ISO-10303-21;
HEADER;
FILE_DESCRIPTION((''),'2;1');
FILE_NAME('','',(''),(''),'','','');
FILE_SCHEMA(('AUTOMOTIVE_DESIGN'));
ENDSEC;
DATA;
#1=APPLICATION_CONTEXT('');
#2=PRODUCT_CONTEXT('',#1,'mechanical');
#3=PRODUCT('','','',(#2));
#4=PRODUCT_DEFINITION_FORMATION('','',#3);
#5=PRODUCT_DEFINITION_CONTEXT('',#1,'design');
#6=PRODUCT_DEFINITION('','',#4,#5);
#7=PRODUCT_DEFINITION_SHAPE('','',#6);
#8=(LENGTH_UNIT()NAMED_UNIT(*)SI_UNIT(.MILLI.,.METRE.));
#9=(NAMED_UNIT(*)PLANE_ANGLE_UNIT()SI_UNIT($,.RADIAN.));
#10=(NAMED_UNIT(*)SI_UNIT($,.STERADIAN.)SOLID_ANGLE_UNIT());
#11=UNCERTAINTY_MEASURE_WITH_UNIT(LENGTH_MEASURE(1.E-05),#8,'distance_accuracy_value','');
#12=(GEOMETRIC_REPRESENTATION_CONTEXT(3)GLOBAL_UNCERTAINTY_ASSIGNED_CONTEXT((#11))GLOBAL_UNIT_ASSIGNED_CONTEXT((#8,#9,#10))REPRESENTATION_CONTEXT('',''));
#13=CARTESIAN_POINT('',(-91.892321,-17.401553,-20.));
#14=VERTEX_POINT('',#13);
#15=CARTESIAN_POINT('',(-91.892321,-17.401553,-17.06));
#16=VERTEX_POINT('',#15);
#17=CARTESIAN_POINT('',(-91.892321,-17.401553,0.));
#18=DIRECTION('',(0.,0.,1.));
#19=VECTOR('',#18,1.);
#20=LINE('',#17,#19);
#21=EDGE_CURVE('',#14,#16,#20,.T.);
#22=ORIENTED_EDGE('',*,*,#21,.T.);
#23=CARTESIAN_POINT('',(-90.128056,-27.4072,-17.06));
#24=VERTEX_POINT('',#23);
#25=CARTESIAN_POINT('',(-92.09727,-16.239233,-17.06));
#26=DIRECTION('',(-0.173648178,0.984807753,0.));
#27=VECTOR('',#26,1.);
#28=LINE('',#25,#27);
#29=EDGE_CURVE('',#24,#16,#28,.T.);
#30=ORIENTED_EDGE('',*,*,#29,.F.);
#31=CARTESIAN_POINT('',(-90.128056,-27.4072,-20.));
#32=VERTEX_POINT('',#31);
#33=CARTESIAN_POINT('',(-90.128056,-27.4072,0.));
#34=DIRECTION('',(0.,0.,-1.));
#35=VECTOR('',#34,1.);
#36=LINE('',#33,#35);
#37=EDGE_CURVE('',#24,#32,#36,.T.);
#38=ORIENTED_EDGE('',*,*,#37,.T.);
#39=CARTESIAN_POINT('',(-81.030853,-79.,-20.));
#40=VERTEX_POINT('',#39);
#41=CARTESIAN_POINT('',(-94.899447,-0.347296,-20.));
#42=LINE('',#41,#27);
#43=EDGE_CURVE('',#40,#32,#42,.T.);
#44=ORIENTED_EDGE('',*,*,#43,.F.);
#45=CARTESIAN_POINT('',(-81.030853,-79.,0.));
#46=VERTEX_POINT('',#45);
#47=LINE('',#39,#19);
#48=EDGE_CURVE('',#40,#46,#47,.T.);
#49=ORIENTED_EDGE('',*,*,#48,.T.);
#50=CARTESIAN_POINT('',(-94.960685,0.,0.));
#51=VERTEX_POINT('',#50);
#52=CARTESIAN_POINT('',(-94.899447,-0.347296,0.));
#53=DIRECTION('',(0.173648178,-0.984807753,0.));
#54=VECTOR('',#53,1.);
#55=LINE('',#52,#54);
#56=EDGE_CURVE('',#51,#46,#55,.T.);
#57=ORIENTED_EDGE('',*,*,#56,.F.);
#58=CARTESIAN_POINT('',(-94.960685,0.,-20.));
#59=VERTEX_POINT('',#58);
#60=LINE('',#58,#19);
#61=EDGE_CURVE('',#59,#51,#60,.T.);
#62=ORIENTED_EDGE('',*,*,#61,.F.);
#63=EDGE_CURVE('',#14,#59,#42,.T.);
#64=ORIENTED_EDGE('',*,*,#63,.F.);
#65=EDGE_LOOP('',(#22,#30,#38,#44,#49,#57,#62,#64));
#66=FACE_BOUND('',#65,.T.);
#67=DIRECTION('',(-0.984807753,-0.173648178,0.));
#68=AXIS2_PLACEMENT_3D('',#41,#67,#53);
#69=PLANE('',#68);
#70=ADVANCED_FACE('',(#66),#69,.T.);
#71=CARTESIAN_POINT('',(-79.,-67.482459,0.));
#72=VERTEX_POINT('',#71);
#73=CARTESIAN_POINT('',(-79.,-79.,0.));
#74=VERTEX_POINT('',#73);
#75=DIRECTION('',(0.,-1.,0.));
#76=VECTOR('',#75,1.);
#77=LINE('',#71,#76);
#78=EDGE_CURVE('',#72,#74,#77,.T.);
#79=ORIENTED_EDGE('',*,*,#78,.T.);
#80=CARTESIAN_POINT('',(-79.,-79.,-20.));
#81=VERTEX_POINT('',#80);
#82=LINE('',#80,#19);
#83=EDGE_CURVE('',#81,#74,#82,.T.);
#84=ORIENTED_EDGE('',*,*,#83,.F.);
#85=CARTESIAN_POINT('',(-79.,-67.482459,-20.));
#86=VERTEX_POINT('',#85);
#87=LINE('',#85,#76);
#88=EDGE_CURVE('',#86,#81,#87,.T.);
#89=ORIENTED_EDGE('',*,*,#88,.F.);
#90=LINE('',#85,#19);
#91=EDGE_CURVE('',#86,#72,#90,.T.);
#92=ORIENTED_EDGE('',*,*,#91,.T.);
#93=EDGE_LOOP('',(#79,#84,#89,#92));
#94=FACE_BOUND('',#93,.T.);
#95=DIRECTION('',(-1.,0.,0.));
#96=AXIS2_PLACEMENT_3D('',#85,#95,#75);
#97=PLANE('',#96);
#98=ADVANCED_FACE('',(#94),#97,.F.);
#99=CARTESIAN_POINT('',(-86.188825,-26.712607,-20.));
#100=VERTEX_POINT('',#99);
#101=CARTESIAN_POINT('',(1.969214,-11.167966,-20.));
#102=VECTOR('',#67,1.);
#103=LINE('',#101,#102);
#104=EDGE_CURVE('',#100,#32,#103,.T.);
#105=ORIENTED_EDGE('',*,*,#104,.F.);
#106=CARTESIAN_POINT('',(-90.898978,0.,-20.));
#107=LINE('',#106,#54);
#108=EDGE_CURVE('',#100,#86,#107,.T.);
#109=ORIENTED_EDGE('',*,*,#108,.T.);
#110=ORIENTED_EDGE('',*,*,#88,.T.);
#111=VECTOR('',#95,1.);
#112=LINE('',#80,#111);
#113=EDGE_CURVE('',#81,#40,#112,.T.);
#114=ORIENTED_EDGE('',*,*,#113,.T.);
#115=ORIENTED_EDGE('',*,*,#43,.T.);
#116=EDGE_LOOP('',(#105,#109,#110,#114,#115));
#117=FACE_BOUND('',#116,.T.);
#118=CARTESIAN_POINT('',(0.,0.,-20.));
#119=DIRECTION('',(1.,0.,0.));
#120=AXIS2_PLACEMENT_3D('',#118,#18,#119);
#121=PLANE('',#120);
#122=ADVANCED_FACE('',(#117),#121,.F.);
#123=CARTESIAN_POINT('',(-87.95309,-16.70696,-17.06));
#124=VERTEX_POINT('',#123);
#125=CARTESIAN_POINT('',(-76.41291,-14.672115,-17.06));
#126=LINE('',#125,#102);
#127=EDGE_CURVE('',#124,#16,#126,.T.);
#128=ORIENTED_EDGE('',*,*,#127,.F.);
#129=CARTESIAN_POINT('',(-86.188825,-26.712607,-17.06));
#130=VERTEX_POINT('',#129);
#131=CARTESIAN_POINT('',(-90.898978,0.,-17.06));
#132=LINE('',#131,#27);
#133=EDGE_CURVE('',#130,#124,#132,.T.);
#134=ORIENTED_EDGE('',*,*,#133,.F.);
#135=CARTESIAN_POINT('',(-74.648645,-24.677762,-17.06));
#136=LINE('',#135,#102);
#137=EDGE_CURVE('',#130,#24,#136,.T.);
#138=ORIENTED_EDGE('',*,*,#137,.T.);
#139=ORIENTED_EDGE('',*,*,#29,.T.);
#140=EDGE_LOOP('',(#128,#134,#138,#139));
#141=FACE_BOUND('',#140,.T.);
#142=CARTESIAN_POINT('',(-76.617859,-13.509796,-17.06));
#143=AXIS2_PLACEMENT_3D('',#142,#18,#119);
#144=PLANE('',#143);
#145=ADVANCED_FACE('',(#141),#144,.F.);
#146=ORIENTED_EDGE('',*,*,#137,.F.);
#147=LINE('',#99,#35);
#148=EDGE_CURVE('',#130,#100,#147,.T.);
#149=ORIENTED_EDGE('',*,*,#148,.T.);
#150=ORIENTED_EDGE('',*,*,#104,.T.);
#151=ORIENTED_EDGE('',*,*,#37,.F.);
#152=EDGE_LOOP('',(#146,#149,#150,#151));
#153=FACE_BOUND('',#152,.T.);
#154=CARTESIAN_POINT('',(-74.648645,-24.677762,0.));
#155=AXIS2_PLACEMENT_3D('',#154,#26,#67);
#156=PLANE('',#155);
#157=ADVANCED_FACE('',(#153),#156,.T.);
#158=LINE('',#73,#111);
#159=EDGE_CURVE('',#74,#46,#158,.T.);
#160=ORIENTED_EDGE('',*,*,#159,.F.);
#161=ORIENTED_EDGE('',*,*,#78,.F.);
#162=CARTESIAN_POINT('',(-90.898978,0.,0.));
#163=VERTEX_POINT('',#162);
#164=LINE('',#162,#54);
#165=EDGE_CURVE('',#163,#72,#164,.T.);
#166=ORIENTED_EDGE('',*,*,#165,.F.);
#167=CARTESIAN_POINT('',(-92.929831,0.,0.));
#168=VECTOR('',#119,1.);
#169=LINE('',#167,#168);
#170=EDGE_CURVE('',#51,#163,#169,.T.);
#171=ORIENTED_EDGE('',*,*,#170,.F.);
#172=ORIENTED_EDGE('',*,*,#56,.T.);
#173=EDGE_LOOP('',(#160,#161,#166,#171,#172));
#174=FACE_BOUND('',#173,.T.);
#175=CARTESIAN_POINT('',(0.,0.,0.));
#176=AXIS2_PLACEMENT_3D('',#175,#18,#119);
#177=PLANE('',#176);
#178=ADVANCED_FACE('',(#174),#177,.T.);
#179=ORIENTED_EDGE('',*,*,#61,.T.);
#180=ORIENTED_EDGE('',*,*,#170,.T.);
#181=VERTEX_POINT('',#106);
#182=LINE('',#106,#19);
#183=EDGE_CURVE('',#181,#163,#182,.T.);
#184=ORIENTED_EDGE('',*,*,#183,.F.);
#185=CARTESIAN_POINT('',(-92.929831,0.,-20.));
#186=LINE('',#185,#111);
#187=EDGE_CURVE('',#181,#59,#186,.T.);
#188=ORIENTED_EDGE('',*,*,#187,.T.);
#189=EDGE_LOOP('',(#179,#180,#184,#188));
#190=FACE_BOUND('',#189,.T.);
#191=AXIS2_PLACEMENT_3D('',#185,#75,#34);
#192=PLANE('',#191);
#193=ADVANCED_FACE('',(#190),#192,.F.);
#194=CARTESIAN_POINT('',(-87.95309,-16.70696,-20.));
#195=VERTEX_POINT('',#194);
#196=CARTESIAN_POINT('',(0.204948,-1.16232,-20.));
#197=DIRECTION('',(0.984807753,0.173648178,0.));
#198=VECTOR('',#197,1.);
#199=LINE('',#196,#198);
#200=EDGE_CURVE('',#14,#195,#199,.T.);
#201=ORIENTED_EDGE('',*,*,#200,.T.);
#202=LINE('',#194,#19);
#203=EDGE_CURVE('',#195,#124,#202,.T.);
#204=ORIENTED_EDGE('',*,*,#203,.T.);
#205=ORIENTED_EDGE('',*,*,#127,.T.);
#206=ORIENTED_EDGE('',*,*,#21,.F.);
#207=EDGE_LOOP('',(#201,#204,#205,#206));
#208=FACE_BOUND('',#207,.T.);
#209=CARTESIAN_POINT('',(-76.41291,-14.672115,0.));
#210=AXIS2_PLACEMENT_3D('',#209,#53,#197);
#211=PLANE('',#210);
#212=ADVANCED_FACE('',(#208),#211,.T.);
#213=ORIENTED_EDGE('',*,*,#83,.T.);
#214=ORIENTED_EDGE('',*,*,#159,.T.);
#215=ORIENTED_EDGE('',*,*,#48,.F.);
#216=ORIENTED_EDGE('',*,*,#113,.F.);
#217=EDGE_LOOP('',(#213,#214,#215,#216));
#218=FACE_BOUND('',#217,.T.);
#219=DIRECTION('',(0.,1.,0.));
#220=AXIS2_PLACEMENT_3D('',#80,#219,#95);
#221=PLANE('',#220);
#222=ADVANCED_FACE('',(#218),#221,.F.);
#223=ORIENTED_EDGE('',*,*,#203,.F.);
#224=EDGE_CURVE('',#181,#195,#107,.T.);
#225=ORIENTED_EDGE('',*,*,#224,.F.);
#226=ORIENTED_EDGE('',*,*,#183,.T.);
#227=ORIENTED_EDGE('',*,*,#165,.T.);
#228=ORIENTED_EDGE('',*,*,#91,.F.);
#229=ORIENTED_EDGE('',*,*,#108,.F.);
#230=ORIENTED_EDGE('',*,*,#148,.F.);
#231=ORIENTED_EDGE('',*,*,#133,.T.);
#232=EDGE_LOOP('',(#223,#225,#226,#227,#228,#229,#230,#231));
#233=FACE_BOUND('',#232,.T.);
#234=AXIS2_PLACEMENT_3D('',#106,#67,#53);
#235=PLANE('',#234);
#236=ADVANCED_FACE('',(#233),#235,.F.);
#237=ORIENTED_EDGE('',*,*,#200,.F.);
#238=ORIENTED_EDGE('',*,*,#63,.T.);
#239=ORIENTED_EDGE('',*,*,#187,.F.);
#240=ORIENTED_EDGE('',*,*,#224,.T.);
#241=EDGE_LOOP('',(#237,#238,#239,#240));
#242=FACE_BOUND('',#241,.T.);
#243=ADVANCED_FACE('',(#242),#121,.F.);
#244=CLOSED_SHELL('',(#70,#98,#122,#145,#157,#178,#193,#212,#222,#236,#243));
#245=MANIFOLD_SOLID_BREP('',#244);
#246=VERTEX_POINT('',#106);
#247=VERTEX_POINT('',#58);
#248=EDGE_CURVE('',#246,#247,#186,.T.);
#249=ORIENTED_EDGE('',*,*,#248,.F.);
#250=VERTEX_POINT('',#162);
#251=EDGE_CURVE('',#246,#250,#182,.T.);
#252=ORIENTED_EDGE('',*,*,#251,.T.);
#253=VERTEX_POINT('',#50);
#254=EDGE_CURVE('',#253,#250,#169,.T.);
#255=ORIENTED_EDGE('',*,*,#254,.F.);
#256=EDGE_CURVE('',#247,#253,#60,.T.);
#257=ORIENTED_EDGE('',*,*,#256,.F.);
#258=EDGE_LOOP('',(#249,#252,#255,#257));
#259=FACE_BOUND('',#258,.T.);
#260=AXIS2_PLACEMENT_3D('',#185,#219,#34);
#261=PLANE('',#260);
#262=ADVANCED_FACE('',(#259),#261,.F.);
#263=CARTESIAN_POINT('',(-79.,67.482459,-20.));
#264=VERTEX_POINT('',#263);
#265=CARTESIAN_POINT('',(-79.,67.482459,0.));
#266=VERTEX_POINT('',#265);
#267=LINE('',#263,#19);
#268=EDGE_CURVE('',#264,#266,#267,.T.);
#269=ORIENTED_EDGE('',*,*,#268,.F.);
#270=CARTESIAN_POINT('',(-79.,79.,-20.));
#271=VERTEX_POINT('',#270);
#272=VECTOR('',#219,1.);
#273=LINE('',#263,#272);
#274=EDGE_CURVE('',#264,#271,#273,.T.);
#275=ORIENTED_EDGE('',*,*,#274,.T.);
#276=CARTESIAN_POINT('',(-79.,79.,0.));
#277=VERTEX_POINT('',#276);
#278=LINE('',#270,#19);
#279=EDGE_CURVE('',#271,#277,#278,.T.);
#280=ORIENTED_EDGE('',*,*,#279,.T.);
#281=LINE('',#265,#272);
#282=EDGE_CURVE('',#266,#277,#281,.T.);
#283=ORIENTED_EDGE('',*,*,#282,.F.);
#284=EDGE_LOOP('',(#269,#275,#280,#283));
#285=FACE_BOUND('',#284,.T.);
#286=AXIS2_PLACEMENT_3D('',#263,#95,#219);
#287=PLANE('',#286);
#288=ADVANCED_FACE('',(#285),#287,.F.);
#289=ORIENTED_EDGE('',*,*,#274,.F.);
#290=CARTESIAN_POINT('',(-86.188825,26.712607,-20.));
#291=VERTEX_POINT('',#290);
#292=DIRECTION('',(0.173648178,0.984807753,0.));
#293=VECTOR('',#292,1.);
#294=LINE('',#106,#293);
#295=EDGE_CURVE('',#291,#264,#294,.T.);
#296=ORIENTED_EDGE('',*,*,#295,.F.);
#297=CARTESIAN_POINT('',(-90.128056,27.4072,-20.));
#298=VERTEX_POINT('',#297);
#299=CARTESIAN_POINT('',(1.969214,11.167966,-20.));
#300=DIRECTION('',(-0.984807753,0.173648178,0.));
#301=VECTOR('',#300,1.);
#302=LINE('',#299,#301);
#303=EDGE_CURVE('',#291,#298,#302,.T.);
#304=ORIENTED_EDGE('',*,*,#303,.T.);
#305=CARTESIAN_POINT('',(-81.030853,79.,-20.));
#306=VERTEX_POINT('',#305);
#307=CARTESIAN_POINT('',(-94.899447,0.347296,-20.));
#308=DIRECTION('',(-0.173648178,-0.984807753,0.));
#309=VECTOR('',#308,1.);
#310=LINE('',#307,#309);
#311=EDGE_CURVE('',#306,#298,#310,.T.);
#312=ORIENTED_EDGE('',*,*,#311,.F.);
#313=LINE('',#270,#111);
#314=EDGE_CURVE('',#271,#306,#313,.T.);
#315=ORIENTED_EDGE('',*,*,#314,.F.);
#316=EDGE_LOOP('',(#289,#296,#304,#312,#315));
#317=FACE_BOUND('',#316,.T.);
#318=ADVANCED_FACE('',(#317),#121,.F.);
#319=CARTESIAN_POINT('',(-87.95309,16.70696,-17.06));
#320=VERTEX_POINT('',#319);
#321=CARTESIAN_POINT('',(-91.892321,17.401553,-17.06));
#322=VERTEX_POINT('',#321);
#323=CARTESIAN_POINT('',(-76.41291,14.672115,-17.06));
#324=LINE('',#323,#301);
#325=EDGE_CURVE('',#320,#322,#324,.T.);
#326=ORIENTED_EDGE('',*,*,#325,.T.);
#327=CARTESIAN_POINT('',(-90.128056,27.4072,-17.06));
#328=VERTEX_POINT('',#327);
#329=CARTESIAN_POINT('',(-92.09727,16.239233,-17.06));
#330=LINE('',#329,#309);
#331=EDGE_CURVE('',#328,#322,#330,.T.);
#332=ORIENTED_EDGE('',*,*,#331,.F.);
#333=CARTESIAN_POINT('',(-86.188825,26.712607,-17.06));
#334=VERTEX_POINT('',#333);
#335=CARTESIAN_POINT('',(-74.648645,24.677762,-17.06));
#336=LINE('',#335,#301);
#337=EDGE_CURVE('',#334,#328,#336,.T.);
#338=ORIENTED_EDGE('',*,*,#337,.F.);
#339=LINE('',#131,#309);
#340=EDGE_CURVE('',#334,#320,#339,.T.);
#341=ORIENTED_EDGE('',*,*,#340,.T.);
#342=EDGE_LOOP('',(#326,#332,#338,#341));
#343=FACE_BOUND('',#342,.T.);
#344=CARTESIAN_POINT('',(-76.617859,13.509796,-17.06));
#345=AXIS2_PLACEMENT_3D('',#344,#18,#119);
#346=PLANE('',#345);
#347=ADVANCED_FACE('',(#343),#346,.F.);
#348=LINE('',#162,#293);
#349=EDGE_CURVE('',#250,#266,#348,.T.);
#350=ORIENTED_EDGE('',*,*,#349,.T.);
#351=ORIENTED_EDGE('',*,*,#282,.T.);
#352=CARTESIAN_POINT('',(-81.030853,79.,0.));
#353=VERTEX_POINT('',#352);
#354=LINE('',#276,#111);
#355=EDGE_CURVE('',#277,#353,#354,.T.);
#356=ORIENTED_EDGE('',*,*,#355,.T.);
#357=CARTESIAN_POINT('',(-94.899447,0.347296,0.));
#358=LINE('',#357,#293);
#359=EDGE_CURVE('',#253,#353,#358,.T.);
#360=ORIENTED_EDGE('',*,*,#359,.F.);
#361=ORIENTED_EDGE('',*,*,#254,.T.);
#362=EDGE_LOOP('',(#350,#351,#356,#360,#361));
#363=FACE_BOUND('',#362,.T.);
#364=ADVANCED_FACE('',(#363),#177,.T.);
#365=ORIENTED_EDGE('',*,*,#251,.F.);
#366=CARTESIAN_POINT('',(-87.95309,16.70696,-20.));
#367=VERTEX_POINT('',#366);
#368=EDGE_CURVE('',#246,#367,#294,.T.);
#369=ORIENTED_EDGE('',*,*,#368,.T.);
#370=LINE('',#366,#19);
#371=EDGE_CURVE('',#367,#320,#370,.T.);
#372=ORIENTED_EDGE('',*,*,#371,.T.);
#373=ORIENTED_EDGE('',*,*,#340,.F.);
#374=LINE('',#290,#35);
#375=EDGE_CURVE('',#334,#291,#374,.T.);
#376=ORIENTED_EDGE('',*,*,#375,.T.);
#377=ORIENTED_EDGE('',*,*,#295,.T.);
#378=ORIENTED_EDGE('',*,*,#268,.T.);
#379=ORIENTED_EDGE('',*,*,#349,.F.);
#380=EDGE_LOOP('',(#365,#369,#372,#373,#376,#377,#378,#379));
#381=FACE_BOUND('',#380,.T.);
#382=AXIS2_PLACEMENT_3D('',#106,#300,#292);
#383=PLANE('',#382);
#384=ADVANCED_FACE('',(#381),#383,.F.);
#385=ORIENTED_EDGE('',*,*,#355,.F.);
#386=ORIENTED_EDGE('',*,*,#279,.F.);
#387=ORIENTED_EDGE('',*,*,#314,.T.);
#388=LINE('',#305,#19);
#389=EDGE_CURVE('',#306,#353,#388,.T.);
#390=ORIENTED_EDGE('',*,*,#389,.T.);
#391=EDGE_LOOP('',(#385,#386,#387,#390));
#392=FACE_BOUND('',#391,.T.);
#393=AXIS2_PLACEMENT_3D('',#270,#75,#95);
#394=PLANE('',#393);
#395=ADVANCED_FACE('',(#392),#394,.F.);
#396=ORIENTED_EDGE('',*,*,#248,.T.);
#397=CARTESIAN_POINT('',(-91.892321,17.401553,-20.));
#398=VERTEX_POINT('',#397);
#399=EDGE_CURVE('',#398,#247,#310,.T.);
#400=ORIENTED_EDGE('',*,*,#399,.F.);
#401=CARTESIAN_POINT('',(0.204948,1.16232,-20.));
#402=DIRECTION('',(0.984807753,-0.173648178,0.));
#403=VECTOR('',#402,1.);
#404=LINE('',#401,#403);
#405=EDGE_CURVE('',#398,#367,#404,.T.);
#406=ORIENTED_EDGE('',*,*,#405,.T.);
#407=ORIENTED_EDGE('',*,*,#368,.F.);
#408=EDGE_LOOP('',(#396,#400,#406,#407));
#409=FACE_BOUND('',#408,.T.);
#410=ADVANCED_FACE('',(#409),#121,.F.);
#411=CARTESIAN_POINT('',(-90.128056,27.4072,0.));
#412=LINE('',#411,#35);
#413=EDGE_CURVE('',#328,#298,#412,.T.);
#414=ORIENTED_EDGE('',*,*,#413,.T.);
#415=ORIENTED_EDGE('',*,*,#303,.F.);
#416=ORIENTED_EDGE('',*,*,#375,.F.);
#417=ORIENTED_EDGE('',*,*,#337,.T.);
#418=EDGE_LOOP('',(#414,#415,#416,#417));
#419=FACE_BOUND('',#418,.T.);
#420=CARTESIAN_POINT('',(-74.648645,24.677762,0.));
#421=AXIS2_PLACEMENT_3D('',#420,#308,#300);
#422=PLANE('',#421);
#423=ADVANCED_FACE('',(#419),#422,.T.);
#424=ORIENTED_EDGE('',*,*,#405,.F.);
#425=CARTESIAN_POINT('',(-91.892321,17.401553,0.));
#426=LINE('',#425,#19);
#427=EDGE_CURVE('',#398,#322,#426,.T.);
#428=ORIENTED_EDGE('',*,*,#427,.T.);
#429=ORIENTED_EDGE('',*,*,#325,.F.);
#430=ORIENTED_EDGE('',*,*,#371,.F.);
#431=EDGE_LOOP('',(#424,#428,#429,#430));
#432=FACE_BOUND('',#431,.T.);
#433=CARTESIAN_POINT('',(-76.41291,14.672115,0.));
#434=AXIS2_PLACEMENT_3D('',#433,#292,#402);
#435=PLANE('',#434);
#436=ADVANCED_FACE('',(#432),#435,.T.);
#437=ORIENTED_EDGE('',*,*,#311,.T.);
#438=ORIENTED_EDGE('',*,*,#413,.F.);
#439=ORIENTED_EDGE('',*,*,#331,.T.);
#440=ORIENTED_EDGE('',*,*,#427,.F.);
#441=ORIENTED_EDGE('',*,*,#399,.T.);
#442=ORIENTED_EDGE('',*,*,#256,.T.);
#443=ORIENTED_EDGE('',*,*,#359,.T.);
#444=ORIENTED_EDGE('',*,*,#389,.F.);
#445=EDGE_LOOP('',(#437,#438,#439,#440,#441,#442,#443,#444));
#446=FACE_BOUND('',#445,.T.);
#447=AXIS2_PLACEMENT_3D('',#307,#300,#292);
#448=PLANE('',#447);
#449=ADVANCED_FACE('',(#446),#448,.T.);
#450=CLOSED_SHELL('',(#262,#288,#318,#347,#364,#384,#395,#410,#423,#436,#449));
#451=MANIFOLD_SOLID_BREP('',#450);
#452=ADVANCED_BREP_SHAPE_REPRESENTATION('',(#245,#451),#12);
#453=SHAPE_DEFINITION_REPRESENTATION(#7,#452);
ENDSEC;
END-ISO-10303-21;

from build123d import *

# Parameters (mm, degrees)
BOSS_EXTRUDE1_DEPTH = 20
SKETCH2_W           = 2.94
SKETCH2_H           = 10.16
CUT_EXTRUDE1_DEPTH  = 68.159900875


with BuildPart() as part:
    # Sketch1 → Boss-Extrude1 (new body)
    with BuildSketch(Plane.XY):
        Polygon((-94.899446982, -0.347296355), (-81.030853224, -79), (-79, -79), (-79, -67.482459034), (-90.898978252, 0), (-92.929831476, 0), (-94.9606847, 0), align=None)
    extrude(amount=-BOSS_EXTRUDE1_DEPTH)

    # Sketch2 → Cut-Extrude1 (cut, through all)
    with BuildSketch(Plane(origin=(-92.097269688, -16.239233496, 0), x_dir=(0, 0, 1), z_dir=(-0.9848077530122071, -0.17364817766693633, 0))):
        with Locations((-18.53, -6.260250152)):
            Rectangle(SKETCH2_W, SKETCH2_H)
    extrude(amount=-CUT_EXTRUDE1_DEPTH, mode=Mode.SUBTRACT)


with BuildPart() as body_2:
    # Mirror2: mirrored copy
    add(part.part.mirror(Plane.ZX))


solid = Compound([part.part, body_2.part])
